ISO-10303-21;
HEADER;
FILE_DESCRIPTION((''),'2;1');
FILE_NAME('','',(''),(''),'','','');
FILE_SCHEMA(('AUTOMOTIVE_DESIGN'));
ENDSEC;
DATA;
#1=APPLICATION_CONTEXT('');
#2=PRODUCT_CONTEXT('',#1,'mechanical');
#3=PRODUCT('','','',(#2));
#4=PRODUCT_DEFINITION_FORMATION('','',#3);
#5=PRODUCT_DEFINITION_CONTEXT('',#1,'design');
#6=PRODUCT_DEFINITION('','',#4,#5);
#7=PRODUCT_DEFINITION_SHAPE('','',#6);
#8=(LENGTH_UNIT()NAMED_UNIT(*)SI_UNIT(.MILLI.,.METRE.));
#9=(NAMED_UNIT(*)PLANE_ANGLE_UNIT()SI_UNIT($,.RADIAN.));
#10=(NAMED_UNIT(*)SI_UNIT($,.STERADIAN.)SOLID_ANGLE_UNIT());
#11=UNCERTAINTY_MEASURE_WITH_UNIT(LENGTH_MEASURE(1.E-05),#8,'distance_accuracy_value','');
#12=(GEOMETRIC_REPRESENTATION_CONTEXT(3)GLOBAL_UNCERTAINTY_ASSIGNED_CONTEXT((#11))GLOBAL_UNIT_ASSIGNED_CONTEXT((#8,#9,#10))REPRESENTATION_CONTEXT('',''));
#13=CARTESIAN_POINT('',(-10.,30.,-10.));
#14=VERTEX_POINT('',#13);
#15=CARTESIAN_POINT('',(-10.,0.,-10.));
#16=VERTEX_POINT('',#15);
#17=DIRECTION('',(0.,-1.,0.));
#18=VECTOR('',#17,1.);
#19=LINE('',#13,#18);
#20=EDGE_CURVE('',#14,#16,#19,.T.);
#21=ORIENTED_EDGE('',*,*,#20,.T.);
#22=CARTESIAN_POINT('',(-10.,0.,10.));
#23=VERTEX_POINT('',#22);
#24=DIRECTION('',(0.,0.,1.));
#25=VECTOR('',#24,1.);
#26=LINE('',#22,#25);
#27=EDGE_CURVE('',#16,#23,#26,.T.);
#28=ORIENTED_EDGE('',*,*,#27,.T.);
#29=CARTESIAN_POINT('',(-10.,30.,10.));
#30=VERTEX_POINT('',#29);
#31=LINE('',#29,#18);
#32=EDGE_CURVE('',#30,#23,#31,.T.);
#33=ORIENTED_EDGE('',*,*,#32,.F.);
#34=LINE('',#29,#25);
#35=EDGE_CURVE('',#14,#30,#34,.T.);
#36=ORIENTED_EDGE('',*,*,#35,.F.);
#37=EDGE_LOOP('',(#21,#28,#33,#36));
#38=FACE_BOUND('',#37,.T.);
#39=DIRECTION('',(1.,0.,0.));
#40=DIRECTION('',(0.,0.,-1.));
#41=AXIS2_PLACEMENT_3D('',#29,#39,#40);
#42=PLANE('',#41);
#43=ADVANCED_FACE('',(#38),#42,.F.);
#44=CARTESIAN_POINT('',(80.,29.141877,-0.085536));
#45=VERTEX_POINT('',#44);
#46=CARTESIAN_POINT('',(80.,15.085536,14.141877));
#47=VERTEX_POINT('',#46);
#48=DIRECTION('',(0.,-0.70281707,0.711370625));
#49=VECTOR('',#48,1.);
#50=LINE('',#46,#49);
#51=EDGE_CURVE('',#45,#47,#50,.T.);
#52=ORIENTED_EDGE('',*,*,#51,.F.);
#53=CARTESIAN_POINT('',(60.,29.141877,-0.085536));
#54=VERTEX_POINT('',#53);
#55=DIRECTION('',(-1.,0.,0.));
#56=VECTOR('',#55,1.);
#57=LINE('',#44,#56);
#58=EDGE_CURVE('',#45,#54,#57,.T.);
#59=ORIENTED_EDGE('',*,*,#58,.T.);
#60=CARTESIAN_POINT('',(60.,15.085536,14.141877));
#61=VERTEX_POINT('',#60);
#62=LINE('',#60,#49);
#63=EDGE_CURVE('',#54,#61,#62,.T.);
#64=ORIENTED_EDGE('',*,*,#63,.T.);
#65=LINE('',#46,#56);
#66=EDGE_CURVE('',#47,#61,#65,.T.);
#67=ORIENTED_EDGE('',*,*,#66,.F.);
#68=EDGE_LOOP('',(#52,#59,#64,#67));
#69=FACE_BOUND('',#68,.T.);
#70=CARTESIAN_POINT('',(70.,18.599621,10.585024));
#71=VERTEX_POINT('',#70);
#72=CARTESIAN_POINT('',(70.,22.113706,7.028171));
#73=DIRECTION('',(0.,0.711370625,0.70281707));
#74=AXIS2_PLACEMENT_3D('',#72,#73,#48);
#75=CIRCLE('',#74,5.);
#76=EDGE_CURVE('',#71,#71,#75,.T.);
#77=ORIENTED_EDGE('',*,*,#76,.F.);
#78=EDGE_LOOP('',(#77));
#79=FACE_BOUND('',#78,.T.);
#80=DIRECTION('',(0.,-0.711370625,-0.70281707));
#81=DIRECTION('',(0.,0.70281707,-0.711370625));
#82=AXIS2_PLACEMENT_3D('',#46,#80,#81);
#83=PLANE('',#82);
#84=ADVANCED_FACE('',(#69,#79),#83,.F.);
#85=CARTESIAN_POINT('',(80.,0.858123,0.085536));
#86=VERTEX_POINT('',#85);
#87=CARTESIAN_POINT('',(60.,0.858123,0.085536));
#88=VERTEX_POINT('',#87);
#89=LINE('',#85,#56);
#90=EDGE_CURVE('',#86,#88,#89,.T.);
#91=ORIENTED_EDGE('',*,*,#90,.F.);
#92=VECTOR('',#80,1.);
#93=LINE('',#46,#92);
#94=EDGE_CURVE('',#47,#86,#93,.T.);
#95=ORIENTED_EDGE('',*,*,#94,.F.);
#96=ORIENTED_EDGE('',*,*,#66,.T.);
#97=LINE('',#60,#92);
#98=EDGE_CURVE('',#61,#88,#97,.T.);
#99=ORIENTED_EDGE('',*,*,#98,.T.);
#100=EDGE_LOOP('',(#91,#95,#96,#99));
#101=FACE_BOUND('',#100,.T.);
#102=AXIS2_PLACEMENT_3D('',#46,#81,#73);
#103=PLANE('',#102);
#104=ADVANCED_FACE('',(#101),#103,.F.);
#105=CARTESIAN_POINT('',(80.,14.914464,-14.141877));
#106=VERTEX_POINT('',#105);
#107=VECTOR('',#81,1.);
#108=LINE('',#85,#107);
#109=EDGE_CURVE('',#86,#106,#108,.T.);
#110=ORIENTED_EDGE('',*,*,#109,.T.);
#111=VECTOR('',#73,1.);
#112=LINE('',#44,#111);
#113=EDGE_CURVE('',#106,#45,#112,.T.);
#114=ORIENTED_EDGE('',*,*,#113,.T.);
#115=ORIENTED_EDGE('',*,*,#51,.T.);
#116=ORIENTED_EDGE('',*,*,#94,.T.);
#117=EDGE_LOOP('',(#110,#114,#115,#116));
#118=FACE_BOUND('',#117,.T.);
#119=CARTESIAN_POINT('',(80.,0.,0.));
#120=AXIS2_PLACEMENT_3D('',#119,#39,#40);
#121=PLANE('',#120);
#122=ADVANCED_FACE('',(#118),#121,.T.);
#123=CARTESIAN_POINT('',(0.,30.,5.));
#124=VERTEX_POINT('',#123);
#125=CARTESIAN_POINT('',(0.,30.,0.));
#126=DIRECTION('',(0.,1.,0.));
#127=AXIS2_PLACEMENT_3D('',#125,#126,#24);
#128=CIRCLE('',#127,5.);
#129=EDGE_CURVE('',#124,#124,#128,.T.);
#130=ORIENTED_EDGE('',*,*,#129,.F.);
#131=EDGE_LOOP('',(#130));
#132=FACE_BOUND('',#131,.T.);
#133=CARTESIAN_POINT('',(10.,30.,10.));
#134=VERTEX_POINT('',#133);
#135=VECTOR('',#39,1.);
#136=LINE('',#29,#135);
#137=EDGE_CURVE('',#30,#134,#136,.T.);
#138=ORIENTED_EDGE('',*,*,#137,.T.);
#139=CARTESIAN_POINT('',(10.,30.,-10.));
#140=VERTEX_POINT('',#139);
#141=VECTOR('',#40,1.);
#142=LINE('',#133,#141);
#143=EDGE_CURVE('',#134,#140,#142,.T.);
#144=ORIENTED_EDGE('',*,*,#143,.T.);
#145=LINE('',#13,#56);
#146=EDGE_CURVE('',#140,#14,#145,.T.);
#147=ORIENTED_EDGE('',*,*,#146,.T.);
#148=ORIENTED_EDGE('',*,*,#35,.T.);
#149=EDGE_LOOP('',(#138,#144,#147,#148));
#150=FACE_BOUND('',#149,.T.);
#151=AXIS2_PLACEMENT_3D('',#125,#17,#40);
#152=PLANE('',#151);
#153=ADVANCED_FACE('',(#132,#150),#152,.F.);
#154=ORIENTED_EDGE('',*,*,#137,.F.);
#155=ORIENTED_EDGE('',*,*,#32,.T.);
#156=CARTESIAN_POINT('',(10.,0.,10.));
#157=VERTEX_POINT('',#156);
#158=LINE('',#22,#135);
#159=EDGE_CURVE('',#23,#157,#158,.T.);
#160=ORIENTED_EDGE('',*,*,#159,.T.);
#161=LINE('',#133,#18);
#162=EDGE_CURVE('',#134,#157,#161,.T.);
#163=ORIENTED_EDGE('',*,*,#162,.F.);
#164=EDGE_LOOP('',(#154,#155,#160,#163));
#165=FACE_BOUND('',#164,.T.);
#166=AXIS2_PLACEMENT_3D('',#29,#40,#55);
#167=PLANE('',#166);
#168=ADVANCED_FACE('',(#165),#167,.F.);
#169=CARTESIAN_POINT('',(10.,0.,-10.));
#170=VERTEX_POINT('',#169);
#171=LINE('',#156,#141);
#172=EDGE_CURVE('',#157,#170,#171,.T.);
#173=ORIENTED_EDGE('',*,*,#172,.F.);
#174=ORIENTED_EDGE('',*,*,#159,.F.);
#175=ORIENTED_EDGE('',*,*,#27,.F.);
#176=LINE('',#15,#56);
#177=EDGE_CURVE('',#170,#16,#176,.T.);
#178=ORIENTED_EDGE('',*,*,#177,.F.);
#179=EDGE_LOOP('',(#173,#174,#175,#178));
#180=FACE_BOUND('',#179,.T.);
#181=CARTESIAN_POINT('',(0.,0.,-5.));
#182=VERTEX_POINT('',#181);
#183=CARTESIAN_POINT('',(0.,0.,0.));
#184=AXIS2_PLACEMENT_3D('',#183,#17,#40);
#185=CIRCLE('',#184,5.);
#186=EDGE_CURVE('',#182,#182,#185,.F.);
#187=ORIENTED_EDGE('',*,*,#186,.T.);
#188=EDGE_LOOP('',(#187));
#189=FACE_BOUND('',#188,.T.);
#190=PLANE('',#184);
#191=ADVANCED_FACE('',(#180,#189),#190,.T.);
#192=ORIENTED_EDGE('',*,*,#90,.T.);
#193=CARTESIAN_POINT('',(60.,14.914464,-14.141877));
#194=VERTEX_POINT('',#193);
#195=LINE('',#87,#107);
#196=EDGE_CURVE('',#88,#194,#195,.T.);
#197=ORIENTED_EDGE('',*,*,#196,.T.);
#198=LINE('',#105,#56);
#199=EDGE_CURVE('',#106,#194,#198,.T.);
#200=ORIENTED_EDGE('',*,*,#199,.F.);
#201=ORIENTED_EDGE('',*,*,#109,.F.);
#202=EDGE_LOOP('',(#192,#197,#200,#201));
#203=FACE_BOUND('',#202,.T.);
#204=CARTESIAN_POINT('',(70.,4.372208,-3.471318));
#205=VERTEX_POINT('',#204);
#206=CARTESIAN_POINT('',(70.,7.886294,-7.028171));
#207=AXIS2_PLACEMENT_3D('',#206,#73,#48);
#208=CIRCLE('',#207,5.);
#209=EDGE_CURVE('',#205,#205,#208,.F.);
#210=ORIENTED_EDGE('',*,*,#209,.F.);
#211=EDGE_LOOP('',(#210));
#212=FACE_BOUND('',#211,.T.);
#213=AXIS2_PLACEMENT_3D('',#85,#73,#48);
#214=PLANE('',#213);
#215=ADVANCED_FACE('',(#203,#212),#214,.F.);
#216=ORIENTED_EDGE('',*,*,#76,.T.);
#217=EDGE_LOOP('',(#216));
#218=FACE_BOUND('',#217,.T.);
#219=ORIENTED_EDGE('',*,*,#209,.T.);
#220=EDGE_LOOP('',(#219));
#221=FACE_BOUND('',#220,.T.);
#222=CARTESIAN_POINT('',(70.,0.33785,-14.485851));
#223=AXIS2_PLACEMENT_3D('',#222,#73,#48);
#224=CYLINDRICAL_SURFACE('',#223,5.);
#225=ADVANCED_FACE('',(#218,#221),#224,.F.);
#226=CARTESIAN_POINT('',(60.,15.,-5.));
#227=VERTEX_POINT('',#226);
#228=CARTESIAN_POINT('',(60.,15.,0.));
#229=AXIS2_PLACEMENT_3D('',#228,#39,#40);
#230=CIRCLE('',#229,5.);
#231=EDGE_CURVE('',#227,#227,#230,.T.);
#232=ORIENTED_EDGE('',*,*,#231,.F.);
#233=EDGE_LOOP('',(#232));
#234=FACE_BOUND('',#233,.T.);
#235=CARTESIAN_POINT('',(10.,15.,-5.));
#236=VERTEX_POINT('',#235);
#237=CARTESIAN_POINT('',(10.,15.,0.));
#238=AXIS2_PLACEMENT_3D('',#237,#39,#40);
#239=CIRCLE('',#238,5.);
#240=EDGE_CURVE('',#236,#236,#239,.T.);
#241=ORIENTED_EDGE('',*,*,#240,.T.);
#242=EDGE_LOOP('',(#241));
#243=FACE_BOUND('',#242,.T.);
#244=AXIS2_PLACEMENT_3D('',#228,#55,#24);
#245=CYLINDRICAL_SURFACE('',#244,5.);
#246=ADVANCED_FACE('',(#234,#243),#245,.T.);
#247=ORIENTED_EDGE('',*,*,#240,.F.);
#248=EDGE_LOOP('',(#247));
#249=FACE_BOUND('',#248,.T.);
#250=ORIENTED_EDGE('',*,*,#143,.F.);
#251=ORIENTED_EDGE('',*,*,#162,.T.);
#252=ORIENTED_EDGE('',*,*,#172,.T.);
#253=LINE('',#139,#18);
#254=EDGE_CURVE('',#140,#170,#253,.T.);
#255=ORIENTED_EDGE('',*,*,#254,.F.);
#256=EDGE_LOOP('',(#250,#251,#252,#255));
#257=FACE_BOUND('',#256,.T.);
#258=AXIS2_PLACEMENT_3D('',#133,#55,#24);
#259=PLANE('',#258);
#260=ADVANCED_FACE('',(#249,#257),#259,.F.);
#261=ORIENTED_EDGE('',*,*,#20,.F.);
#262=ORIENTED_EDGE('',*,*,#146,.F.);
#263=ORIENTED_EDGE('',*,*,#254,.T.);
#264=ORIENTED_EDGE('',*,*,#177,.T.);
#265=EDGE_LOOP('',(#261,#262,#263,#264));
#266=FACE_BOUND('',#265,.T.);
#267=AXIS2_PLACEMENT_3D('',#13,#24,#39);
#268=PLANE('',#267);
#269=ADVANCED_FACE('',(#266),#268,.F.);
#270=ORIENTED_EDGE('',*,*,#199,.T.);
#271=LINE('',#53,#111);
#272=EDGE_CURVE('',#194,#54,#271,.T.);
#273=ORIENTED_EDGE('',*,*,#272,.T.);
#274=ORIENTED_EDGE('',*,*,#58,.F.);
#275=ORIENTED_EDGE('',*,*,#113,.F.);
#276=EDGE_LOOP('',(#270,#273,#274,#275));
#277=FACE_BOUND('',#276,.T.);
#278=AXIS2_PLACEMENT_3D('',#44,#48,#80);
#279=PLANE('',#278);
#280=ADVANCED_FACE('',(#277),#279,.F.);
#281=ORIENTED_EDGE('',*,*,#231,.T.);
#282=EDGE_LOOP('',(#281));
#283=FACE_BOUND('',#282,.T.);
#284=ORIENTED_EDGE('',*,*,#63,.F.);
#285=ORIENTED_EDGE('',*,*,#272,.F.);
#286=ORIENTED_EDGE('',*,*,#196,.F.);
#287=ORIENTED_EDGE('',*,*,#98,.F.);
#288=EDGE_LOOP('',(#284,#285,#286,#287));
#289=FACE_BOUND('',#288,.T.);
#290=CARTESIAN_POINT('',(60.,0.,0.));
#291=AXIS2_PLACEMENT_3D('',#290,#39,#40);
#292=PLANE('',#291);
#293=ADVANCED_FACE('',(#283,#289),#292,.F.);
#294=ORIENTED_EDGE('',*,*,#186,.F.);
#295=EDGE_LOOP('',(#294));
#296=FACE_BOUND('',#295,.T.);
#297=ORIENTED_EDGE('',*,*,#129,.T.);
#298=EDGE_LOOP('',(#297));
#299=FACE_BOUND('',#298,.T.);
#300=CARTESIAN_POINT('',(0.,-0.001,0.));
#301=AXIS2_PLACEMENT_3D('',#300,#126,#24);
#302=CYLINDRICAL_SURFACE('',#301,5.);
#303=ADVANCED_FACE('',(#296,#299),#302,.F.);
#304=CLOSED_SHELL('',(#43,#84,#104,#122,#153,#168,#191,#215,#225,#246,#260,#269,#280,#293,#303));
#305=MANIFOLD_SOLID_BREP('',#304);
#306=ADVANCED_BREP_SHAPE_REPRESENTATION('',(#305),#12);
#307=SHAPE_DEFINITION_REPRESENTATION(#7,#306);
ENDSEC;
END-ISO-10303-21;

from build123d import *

# Parameters (mm, degrees)
SKETCH_1_W          = 20
SKETCH_1_H          = 20
EXTRUDE_1_DEPTH     = 30
SKETCH_2_R          = 5
EXTRUDE_2_DEPTH     = 50
EXTRUDE_3_DEPTH     = 20
CUT_EXTRUDE_1_REACH = 88.602
SKETCH_4_R          = 5
CUT_EXTRUDE_2_REACH = 88.348
SKETCH_5_R          = 5


with BuildPart() as part:
    # 草图1 → 凸台-拉伸1 (new body)
    with BuildSketch(Plane(origin=(0, 0, 0), x_dir=(1, 0, 0), z_dir=(0, 1, 0))):
        Rectangle(SKETCH_1_W, SKETCH_1_H)
    extrude(amount=EXTRUDE_1_DEPTH)

    # 草图2 → 凸台-拉伸2 (add)
    with BuildSketch(Plane(origin=(10, 0, 0), x_dir=(0, 0, -1), z_dir=(1, 0, 0))):
        with Locations((0, 15)):
            Circle(SKETCH_2_R)
    extrude(amount=EXTRUDE_2_DEPTH)

    # 草图3 → 凸台-拉伸3 (add)
    with BuildSketch(Plane(origin=(60, 0, 0), x_dir=(0, 0, -1), z_dir=(1, 0, 0))):
        Polygon((-14.14187695, 15.085535546), (0.085535546, 29.14187695), (14.14187695, 14.914464454), (-0.085535546, 0.85812305), align=None)
    extrude(amount=EXTRUDE_3_DEPTH)

    # 草图4 → 切除-拉伸1 (cut, up to next)
    with BuildSketch(Plane(origin=(0, 30, 0), x_dir=(1, 0, 0), z_dir=(0, 1, 0)), mode=Mode.PRIVATE) as cut_extrude_1_sk1:
        Circle(SKETCH_4_R)
    cut_extrude_1_tool1 = extrude(cut_extrude_1_sk1.sketch, amount=-CUT_EXTRUDE_1_REACH, mode=Mode.PRIVATE) & part.part
    add(cut_extrude_1_tool1.solids().sort_by_distance((0, 30, 0))[0], mode=Mode.SUBTRACT)

    # 草图5 → 切除-拉伸2 (cut, up to next)
    with BuildSketch(Plane(origin=(0, 14.704428736, 14.527621977), x_dir=(1, 0, 0), z_dir=(0, 0.7113706248059255, 0.7028170701990862)), mode=Mode.PRIVATE) as cut_extrude_2_sk1:
        with Locations((70, 10.542256053)):
            Circle(SKETCH_5_R)
    cut_extrude_2_tool1 = extrude(cut_extrude_2_sk1.sketch, amount=-CUT_EXTRUDE_2_REACH, mode=Mode.PRIVATE) & part.part
    add(cut_extrude_2_tool1.solids().sort_by_distance((70, 22.113706, 7.028171))[0], mode=Mode.SUBTRACT)


solid = part.part
